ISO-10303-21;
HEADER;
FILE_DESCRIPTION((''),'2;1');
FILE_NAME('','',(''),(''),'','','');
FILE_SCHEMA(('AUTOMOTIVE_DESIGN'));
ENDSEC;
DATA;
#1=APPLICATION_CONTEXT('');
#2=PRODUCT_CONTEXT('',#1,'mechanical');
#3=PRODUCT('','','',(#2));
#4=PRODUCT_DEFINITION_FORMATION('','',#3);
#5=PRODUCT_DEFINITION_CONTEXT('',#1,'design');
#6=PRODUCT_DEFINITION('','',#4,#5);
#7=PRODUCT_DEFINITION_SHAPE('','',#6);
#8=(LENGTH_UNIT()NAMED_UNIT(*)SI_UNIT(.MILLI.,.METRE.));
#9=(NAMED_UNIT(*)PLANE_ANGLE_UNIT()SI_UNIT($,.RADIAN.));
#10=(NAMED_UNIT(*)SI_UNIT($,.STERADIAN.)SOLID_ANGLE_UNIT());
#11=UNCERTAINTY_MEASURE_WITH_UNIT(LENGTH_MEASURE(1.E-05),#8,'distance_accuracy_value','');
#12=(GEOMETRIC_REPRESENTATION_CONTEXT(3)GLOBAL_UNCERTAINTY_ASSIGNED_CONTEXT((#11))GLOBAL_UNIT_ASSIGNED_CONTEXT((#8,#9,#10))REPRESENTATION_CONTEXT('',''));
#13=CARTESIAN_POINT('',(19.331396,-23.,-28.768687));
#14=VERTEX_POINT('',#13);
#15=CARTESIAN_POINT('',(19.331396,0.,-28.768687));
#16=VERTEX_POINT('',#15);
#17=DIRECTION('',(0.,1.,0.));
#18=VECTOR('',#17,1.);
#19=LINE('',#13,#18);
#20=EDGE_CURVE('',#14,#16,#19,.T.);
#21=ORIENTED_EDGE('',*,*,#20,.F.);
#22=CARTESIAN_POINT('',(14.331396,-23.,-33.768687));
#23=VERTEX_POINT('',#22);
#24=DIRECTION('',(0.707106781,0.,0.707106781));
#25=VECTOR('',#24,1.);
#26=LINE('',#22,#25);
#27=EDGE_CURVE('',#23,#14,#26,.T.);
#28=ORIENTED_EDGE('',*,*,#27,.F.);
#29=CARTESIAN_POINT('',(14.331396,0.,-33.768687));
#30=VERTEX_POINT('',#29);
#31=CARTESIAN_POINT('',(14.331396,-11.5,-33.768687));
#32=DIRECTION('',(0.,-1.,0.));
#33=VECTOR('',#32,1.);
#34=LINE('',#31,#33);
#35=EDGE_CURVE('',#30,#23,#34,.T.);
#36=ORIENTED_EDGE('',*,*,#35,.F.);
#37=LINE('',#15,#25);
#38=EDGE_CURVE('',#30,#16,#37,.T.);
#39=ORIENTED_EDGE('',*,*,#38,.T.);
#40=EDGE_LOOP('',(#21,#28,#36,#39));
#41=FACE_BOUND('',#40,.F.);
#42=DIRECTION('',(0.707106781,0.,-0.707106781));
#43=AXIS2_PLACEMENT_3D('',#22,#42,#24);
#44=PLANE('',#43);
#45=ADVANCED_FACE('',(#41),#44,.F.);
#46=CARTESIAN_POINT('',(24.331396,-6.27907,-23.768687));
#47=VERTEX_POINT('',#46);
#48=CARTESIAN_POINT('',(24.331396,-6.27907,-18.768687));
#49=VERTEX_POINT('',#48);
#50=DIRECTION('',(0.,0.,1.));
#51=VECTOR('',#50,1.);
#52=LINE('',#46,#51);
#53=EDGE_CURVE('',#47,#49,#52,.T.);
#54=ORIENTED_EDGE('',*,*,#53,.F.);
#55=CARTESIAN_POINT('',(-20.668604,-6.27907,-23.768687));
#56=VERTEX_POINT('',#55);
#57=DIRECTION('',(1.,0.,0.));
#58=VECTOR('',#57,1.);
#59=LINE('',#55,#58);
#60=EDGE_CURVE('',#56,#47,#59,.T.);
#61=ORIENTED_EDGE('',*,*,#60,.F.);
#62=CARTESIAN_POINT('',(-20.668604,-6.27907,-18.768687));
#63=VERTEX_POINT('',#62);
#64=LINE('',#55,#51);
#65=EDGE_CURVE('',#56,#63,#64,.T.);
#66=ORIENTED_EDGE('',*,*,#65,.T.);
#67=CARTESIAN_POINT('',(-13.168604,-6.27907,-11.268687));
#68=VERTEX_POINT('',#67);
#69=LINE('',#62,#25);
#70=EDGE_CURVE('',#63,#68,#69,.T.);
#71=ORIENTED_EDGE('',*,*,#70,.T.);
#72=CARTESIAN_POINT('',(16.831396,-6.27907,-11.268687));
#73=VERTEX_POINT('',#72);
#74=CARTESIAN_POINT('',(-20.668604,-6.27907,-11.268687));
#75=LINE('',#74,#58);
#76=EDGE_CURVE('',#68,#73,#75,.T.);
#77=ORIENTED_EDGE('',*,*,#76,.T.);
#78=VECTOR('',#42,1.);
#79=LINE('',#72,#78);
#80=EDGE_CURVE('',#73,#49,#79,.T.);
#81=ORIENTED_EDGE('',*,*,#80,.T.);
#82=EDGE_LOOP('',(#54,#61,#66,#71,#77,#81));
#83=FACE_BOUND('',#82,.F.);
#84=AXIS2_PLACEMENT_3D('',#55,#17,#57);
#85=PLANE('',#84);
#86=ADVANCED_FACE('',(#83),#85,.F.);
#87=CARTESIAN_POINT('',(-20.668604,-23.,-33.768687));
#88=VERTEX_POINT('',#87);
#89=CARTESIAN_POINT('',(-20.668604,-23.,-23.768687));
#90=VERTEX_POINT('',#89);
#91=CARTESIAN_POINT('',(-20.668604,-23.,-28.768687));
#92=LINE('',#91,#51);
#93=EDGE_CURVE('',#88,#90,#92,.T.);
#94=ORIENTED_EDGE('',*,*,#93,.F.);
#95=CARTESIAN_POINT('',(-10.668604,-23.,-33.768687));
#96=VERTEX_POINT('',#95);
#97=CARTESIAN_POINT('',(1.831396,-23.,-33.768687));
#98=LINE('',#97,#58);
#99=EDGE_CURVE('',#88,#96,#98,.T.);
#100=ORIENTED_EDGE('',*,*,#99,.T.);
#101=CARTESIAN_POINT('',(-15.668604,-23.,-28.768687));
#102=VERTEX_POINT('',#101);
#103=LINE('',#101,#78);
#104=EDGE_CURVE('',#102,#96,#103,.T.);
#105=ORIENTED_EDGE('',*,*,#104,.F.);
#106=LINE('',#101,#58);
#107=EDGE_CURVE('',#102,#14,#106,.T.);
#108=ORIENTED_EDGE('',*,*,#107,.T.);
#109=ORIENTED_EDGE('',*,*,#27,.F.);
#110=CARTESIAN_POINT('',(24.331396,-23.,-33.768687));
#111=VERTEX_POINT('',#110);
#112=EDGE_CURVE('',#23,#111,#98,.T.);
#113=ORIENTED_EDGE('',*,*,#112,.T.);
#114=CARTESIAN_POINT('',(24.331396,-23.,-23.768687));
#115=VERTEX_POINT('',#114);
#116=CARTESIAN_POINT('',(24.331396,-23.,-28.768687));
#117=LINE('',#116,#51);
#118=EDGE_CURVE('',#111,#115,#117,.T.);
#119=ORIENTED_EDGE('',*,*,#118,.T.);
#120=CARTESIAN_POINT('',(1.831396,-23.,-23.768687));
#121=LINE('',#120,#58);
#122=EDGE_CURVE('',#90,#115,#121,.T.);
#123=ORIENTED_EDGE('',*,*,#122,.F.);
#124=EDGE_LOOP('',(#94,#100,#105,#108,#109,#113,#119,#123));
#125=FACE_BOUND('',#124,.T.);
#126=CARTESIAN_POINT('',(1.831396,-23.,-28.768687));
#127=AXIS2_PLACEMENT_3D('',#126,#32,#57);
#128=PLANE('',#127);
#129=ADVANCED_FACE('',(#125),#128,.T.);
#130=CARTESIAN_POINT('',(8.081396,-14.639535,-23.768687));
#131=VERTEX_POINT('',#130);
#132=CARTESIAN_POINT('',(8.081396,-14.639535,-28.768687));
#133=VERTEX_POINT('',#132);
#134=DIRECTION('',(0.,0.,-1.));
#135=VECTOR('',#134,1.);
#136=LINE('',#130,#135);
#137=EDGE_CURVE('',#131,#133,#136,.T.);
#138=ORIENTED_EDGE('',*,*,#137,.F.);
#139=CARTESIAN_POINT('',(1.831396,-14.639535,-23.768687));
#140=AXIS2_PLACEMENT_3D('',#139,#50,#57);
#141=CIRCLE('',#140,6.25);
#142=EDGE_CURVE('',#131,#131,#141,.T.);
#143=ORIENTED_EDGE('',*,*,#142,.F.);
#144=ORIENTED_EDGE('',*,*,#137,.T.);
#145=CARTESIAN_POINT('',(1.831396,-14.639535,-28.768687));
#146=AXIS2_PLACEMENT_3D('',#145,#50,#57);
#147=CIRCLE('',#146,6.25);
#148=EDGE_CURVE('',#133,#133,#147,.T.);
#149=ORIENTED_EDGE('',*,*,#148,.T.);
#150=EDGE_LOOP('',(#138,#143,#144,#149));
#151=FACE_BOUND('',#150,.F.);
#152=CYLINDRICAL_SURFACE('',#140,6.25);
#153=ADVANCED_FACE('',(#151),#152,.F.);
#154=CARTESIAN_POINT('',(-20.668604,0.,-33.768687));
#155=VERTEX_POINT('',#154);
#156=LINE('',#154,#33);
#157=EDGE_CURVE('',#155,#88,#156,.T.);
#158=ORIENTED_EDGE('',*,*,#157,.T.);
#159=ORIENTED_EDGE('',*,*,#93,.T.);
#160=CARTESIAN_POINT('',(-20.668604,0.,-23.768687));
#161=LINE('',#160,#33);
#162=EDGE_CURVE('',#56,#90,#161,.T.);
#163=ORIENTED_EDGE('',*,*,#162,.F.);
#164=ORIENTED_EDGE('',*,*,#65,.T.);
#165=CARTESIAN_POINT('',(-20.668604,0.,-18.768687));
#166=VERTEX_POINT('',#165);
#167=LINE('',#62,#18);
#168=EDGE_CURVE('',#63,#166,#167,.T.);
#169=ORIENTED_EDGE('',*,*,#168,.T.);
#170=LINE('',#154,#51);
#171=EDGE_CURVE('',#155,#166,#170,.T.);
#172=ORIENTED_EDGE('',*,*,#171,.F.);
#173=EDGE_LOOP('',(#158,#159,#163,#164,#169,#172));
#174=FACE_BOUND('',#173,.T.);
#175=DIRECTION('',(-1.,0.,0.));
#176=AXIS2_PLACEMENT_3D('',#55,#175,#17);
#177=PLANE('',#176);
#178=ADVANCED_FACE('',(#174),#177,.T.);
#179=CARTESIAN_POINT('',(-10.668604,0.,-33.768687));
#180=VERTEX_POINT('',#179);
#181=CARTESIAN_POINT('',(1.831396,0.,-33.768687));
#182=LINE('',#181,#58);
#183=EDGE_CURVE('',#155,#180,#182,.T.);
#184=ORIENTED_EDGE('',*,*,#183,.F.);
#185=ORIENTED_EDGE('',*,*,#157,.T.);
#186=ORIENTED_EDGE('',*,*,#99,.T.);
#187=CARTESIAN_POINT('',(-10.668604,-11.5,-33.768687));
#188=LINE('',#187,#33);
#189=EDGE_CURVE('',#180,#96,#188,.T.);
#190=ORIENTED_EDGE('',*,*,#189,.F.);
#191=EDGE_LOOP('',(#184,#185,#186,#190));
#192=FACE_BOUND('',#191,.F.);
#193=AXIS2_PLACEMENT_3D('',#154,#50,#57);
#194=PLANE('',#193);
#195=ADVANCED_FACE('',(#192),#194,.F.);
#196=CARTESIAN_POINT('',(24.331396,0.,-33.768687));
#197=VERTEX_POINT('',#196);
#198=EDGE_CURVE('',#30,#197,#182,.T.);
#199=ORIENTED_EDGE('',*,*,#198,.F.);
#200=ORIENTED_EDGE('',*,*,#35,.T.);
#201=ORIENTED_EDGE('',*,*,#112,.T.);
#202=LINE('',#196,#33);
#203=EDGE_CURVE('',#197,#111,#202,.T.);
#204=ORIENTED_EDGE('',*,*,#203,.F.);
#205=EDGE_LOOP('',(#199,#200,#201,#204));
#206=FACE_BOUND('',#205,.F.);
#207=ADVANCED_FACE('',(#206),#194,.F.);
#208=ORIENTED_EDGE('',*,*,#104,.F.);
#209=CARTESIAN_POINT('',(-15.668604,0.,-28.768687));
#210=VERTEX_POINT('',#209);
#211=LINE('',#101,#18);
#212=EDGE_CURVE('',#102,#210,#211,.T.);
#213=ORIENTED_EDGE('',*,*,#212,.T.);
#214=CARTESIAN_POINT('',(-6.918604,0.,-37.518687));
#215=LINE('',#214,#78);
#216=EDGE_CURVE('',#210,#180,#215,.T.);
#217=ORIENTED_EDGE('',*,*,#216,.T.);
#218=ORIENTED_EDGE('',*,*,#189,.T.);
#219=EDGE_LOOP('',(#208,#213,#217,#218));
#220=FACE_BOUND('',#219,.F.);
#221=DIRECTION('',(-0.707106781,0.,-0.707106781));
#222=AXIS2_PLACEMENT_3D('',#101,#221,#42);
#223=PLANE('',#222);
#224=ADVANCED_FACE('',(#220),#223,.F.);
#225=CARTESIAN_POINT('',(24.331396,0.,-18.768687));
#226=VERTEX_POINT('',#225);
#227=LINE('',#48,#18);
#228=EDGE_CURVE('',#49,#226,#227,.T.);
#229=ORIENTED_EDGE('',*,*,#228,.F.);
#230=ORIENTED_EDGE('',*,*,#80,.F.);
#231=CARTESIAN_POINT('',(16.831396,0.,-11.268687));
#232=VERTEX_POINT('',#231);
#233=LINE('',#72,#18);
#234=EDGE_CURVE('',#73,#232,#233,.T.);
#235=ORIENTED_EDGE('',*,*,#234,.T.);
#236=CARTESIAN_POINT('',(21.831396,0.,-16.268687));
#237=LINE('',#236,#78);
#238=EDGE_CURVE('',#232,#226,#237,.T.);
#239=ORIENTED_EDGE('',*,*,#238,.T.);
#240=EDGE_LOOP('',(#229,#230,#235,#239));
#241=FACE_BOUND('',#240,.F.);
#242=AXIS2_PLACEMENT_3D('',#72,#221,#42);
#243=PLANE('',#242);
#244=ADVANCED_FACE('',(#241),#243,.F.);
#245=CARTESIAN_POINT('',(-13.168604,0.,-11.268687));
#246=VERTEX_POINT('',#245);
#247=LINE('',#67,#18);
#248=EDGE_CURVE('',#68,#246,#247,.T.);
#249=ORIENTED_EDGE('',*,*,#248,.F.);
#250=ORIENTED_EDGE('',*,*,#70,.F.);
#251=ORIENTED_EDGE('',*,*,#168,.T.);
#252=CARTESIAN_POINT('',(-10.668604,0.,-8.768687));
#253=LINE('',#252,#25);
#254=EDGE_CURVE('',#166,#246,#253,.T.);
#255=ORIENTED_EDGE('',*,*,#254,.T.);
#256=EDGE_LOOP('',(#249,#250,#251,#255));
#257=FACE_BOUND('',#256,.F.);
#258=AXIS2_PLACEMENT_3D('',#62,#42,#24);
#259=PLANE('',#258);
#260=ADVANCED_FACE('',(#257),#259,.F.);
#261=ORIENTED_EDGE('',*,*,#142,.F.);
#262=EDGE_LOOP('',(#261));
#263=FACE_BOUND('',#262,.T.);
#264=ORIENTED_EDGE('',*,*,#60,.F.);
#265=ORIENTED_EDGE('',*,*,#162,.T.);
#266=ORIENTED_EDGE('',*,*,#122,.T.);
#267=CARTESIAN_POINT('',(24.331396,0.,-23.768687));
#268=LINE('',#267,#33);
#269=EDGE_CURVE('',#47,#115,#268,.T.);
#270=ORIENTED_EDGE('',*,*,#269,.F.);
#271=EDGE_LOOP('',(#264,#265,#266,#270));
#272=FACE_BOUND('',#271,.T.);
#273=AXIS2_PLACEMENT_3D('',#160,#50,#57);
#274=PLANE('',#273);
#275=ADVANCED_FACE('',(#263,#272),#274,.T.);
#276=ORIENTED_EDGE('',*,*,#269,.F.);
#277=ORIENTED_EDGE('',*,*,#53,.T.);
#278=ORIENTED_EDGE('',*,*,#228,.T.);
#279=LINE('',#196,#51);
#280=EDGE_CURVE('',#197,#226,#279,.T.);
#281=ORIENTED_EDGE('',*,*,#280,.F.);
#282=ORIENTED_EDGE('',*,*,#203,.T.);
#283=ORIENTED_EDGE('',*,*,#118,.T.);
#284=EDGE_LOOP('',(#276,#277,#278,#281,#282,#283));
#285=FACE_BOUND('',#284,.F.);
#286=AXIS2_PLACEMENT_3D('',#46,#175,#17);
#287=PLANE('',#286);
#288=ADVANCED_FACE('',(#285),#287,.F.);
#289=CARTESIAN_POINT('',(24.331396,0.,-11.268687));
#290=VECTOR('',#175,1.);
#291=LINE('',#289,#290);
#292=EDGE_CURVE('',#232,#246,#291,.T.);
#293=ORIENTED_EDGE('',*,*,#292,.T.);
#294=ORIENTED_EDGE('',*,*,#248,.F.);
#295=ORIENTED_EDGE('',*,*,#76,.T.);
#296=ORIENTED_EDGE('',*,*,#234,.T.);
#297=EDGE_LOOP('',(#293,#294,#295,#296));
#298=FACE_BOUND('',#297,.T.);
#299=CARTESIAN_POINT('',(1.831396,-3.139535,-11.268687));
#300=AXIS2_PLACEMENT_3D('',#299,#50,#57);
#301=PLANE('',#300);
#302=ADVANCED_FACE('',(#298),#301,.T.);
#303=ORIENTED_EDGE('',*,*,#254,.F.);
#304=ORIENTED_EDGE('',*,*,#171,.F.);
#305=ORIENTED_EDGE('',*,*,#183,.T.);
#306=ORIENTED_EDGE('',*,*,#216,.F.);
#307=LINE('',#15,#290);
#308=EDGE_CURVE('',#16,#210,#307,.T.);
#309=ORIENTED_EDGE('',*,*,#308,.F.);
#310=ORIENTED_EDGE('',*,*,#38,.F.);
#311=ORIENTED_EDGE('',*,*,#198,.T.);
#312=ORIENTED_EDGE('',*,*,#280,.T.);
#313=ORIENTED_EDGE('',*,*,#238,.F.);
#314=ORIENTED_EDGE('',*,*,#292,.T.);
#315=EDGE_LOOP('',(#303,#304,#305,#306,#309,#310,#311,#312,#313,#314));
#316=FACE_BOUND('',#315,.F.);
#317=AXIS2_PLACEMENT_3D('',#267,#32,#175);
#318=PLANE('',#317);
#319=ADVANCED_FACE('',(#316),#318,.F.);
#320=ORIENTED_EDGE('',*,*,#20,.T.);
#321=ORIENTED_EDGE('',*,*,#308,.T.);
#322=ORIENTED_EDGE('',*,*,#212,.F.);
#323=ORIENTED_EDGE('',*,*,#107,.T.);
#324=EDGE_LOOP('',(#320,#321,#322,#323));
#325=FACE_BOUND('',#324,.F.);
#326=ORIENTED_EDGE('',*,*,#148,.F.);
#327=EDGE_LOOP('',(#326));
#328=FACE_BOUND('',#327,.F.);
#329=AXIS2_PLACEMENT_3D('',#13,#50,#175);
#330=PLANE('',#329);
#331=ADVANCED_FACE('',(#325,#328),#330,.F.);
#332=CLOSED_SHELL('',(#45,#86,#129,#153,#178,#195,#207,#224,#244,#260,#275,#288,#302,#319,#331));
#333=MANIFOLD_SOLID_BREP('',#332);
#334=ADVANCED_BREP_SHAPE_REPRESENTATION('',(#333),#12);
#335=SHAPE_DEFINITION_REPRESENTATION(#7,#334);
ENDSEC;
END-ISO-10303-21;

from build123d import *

# Parameters (mm, degrees)
F0_W      = 45
F0_H      = 10
F1_DEPTH  = 23
F2_W      = 30
F2_H      = 6.27907
F2_W_2    = 7.5
F3_DEPTH  = 12.5
F5_DEPTH  = 6.28007
F7_DEPTH  = 6.28007
F8_W      = 25
F8_H      = 23
F9_DEPTH  = 5
F11_DEPTH = 23.001
F12_R     = 6.25
F13_DEPTH = 10.001


with BuildPart() as f1:
    # F0 (on Front) → F1 (new body)
    with BuildSketch(Plane.XZ):
        with Locations((1.831396, -28.768687)):
            Rectangle(F0_W, F0_H)
    extrude(amount=F1_DEPTH)

    # F2 (on face) → F3 (join)
    with BuildSketch(Plane.XY.offset(-23.768687)):
        with Locations((1.831396, -3.139535)):
            Rectangle(F2_W, F2_H)
        with Locations((20.581396, -3.139535)):
            Rectangle(F2_W_2, F2_H)
        with Locations((-16.918604, -3.139535)):
            Rectangle(F2_W_2, F2_H)
    extrude(amount=F3_DEPTH)

    # F4 (on face) → F5 (cut, through all)
    with BuildSketch(Plane.XZ.offset(6.27907)):
        Polygon((16.831396, -11.268687), (24.331396, -18.768687), (24.331396, -11.268687), align=None)
    extrude(amount=-F5_DEPTH, mode=Mode.SUBTRACT)

    # F6 (on face) → F7 (cut, through all)
    with BuildSketch(Plane.XZ.offset(6.27907)):
        Polygon((-20.668604, -11.268687), (-20.668604, -18.768687), (-13.168604, -11.268687), align=None)
    extrude(amount=-F7_DEPTH, mode=Mode.SUBTRACT)

    # F8 (on face) → F9 (cut)
    with BuildSketch(Plane(origin=(0, 0, -33.768687), x_dir=(1, 0, 0), z_dir=(0, 0, -1))):
        with Locations((1.831396, 11.5)):
            Rectangle(F8_W, F8_H)
    extrude(amount=-F9_DEPTH, mode=Mode.SUBTRACT)

    # F10 (on face) → F11 (cut, through all)
    with BuildSketch(Plane.XZ.offset(23)):
        Polygon((-10.668604, -33.768687), (-10.668604, -28.768687), (-15.668604, -28.768687), align=None)
        Polygon((19.331396, -28.768687), (14.331396, -28.768687), (14.331396, -33.768687), align=None)
    extrude(amount=-F11_DEPTH, mode=Mode.SUBTRACT)

    # F12 (on face) → F13 (cut, through all)
    with BuildSketch(Plane.XY.offset(-23.768687)):
        with Locations((1.831396, -14.639535)):
            Circle(F12_R)
    extrude(amount=-F13_DEPTH, mode=Mode.SUBTRACT)


solid = f1.part
